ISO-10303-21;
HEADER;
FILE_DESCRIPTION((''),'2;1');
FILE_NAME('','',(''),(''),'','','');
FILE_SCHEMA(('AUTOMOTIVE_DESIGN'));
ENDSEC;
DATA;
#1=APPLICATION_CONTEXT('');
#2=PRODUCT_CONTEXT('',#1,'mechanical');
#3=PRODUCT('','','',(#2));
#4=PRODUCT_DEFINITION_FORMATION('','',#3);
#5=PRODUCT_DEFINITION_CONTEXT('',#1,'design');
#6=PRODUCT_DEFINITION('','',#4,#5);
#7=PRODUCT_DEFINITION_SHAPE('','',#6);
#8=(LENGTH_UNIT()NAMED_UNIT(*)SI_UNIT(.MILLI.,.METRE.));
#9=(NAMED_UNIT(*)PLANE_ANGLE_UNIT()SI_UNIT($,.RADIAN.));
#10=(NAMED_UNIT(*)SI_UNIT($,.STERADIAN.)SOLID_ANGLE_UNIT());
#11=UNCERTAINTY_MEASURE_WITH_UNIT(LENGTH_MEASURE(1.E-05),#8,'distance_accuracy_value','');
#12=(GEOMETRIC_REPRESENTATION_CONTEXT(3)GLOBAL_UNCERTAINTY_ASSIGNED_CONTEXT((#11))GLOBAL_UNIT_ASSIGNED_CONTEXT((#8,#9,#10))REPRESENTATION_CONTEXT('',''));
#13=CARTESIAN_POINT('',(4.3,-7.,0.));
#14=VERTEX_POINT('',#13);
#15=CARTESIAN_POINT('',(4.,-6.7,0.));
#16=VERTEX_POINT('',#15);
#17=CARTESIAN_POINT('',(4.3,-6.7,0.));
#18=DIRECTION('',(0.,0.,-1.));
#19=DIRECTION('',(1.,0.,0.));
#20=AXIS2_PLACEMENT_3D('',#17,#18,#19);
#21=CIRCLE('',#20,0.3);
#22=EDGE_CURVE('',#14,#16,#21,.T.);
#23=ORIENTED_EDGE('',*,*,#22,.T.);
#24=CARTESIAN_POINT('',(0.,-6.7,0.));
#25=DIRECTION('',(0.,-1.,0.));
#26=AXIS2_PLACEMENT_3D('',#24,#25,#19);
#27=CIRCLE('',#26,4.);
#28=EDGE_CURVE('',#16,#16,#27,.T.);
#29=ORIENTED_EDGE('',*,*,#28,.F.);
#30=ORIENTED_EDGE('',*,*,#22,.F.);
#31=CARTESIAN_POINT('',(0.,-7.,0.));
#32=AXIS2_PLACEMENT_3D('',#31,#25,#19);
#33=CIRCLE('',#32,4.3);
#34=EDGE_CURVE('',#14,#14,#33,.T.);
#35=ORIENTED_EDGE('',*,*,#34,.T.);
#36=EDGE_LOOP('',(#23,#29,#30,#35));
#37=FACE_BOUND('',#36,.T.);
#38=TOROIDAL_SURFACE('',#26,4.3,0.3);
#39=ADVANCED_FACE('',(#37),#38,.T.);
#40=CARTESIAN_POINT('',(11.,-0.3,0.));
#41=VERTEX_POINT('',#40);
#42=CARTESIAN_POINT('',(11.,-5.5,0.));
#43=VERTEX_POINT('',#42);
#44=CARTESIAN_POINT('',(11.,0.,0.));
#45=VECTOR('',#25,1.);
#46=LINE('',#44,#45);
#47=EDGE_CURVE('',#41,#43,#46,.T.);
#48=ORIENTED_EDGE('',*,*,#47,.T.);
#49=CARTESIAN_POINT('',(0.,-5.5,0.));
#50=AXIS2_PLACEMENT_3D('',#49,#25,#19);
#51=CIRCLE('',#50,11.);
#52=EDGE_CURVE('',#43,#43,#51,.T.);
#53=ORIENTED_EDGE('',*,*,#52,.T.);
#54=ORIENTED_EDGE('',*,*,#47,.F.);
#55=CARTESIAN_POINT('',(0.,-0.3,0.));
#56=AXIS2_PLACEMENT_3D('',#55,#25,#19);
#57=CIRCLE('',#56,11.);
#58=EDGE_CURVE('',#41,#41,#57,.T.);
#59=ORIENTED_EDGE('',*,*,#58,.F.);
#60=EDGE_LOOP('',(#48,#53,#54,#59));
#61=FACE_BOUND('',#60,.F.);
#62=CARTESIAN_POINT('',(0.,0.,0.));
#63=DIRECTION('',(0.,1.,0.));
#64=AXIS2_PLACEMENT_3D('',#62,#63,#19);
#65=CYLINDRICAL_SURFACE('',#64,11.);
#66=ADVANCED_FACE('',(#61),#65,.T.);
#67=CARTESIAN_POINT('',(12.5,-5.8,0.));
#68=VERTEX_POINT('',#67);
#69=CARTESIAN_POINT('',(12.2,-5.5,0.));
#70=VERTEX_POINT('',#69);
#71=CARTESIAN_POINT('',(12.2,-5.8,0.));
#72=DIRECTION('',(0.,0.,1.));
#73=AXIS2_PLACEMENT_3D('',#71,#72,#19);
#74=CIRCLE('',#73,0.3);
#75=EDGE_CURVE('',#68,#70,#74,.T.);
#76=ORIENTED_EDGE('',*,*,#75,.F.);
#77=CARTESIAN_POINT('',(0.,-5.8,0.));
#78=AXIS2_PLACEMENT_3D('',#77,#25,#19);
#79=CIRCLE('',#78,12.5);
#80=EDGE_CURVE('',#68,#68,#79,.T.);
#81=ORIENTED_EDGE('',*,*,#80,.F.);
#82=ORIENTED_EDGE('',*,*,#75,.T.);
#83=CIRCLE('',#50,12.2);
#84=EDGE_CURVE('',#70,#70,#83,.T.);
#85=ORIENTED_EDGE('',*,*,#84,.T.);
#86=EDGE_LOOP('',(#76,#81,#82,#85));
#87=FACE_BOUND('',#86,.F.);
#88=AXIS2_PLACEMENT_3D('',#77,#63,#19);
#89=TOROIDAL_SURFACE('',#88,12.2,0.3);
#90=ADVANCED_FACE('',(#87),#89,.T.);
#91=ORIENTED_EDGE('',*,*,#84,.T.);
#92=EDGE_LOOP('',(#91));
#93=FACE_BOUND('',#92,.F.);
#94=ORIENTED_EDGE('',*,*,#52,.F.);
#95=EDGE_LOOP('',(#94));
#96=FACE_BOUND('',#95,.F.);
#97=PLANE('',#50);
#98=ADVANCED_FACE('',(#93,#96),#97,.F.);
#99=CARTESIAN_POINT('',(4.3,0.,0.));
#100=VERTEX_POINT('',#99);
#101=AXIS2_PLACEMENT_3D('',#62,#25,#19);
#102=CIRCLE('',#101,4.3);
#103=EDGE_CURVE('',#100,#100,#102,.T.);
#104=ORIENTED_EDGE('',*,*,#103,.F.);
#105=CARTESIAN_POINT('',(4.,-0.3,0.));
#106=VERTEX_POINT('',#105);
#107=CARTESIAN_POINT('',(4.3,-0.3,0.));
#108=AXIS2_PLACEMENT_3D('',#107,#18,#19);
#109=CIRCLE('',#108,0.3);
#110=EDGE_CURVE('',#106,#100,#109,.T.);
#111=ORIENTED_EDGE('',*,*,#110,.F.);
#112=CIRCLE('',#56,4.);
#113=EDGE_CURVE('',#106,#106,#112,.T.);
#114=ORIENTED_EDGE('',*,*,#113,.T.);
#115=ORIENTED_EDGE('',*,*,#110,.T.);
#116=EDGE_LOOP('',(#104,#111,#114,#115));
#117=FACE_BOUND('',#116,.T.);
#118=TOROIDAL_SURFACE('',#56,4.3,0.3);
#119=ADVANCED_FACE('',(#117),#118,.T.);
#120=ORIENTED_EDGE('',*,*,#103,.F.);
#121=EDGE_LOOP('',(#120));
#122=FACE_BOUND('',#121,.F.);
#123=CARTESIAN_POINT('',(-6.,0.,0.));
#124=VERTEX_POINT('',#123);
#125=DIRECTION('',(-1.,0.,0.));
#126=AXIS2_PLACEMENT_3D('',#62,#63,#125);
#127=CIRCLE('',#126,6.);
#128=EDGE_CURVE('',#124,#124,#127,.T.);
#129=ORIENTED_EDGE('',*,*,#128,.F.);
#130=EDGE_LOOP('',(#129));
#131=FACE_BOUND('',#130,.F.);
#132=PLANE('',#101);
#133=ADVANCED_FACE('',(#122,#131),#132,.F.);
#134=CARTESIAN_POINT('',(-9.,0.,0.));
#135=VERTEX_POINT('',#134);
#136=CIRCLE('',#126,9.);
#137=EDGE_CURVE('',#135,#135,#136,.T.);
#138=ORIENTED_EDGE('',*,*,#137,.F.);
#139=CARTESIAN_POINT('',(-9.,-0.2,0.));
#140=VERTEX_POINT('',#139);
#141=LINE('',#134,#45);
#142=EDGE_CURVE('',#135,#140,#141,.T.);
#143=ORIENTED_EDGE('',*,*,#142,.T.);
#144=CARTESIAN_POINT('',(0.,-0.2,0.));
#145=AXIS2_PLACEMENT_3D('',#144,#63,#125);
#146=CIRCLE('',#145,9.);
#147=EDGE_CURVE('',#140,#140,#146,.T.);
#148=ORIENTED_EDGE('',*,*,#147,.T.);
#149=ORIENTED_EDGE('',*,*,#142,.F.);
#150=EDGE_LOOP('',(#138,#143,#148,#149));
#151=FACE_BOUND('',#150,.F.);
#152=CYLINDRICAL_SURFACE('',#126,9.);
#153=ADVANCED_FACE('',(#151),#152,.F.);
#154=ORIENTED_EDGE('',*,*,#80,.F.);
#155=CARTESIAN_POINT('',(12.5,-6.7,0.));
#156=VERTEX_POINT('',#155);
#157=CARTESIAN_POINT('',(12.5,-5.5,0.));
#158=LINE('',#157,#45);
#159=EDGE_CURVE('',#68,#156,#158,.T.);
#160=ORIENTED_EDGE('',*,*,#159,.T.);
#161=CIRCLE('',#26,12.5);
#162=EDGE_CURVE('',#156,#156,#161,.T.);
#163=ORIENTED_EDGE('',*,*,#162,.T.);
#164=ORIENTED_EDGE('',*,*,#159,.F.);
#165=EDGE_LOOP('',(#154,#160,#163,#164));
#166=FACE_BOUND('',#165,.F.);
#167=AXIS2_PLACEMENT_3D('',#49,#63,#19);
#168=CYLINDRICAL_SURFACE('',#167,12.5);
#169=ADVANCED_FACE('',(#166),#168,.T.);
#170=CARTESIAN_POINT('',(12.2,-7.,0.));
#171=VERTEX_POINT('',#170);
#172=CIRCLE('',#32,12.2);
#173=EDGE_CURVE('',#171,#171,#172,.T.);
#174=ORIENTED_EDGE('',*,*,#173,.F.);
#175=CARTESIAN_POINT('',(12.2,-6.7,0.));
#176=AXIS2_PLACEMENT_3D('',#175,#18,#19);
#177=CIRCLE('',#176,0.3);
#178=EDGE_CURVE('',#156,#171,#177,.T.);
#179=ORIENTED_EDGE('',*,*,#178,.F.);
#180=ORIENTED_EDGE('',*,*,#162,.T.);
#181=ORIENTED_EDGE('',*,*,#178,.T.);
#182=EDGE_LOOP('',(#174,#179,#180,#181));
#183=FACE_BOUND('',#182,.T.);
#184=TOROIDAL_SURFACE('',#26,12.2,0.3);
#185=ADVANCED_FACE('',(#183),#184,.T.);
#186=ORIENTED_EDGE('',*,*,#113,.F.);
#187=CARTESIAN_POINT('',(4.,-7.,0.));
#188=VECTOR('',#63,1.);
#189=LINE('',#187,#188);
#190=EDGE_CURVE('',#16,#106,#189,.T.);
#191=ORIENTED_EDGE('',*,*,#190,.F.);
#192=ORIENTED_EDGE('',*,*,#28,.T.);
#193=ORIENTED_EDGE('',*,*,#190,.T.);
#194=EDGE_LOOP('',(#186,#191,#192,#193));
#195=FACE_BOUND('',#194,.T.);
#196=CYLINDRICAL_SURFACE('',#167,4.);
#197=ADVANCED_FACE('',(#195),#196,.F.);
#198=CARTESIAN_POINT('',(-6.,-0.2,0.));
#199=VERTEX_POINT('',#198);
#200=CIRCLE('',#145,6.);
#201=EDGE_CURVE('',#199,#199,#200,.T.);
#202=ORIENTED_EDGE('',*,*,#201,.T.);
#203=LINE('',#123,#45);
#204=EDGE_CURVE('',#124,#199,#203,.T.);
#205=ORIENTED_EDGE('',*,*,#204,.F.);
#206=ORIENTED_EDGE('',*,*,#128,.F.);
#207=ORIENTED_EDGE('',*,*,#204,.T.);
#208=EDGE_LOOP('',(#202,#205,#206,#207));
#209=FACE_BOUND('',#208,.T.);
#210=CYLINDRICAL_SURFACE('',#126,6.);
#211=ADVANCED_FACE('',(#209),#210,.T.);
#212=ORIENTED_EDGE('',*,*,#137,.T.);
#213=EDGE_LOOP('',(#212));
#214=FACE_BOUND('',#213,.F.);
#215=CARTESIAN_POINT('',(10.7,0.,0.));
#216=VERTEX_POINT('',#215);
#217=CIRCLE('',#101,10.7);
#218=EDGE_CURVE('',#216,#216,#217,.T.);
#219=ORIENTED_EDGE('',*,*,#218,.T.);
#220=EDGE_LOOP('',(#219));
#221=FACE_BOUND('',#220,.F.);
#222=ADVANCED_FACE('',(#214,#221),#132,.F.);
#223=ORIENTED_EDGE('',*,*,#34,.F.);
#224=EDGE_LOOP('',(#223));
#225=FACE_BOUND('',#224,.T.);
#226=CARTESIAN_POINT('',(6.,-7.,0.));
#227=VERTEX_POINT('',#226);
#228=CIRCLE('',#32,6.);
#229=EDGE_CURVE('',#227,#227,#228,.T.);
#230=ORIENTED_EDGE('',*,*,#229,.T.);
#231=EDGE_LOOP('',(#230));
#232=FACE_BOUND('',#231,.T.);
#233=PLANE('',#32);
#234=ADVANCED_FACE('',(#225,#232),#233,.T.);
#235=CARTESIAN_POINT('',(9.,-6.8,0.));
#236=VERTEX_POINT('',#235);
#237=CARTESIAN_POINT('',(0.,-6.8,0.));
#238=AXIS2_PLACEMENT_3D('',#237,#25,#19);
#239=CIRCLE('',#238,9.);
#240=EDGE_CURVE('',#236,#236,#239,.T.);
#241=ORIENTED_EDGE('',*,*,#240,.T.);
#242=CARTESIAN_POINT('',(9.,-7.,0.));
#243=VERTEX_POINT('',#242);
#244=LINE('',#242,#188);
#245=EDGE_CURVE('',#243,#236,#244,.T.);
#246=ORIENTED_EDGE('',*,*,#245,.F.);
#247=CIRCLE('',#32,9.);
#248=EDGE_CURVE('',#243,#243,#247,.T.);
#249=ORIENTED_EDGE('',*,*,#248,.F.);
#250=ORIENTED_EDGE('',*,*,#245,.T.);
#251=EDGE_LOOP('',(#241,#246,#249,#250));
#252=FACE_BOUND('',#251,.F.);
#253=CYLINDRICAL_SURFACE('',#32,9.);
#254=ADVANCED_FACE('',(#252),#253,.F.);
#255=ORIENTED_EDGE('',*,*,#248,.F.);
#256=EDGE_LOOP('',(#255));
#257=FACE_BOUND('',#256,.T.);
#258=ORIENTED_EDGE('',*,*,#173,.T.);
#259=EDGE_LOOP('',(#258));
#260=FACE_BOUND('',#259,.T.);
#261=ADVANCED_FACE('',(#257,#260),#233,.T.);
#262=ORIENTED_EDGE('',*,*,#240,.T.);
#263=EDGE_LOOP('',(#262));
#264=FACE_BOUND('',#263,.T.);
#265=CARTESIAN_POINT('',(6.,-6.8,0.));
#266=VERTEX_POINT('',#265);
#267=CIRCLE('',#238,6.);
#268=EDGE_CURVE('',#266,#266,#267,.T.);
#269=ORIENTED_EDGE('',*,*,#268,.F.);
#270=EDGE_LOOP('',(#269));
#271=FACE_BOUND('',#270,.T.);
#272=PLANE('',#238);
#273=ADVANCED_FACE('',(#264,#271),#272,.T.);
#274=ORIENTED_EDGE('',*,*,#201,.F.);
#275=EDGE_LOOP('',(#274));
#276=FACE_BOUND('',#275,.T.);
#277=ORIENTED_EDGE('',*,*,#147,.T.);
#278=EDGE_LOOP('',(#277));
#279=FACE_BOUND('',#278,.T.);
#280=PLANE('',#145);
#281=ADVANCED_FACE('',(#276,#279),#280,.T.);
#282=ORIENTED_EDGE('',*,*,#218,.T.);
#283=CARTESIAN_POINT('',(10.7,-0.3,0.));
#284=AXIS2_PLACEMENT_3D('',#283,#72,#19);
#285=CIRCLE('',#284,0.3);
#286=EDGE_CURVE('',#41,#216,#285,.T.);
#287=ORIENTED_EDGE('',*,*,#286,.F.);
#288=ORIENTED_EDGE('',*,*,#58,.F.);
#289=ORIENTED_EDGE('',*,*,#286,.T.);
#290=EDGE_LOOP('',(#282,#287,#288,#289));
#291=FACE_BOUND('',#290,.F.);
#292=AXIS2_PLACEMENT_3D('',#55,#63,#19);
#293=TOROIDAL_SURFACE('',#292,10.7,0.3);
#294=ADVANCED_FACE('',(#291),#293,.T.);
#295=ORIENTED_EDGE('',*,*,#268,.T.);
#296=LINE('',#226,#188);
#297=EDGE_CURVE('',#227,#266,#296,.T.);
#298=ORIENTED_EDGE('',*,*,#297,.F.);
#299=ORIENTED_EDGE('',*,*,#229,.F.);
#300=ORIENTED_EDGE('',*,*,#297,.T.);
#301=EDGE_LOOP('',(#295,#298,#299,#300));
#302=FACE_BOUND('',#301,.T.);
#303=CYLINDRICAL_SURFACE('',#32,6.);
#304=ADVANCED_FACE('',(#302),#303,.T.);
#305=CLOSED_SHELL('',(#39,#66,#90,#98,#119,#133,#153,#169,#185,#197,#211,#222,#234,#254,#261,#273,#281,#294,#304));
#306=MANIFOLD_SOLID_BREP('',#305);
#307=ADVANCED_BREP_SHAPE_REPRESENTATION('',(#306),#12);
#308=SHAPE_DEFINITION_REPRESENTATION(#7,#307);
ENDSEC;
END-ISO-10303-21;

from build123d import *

# Parameters (mm, degrees)
F0_R     = 11
F0_R_2   = 4
F1_DEPTH = 5.5
F2_R     = 12.5
F2_R_2   = 4
F3_DEPTH = 1.5
F4_R     = 9
F4_R_2   = 6
F5_DEPTH = 0.2
F6_R     = 9
F6_R_2   = 6
F7_DEPTH = 0.2
F8_R     = 0.3


with BuildPart() as f1:
    # F0 (on Front) → F1 (new body)
    with BuildSketch(Plane.XZ):
        Circle(F0_R)
        Circle(F0_R_2, mode=Mode.SUBTRACT)
    extrude(amount=F1_DEPTH)

    # F2 (on face) → F3 (join)
    with BuildSketch(Plane.XZ.offset(5.5)):
        Circle(F2_R)
        Circle(F2_R_2, mode=Mode.SUBTRACT)
    extrude(amount=F3_DEPTH)

    # F4 (on face) → F5 (cut)
    with BuildSketch(Plane(origin=(0, 0, 0), x_dir=(-1, 0, 0), z_dir=(0, 1, 0))):
        Circle(F4_R)
        Circle(F4_R_2, mode=Mode.SUBTRACT)
    extrude(amount=-F5_DEPTH, mode=Mode.SUBTRACT)

    # F6 (on face) → F7 (cut)
    with BuildSketch(Plane.XZ.offset(7)):
        Circle(F6_R)
        Circle(F6_R_2, mode=Mode.SUBTRACT)
    extrude(amount=-F7_DEPTH, mode=Mode.SUBTRACT)

    # F8
    f8_edges = [f1.edges().sort_by_distance(p)[0] for p in [
        (-12.5, -7, 0),
        (-12.5, -5.5, 0),
        (-11, 0, 0),
        (-4, -7, 0),
        (-4, 0, 0),
    ]]
    fillet(f8_edges, radius=F8_R)


solid = f1.part
